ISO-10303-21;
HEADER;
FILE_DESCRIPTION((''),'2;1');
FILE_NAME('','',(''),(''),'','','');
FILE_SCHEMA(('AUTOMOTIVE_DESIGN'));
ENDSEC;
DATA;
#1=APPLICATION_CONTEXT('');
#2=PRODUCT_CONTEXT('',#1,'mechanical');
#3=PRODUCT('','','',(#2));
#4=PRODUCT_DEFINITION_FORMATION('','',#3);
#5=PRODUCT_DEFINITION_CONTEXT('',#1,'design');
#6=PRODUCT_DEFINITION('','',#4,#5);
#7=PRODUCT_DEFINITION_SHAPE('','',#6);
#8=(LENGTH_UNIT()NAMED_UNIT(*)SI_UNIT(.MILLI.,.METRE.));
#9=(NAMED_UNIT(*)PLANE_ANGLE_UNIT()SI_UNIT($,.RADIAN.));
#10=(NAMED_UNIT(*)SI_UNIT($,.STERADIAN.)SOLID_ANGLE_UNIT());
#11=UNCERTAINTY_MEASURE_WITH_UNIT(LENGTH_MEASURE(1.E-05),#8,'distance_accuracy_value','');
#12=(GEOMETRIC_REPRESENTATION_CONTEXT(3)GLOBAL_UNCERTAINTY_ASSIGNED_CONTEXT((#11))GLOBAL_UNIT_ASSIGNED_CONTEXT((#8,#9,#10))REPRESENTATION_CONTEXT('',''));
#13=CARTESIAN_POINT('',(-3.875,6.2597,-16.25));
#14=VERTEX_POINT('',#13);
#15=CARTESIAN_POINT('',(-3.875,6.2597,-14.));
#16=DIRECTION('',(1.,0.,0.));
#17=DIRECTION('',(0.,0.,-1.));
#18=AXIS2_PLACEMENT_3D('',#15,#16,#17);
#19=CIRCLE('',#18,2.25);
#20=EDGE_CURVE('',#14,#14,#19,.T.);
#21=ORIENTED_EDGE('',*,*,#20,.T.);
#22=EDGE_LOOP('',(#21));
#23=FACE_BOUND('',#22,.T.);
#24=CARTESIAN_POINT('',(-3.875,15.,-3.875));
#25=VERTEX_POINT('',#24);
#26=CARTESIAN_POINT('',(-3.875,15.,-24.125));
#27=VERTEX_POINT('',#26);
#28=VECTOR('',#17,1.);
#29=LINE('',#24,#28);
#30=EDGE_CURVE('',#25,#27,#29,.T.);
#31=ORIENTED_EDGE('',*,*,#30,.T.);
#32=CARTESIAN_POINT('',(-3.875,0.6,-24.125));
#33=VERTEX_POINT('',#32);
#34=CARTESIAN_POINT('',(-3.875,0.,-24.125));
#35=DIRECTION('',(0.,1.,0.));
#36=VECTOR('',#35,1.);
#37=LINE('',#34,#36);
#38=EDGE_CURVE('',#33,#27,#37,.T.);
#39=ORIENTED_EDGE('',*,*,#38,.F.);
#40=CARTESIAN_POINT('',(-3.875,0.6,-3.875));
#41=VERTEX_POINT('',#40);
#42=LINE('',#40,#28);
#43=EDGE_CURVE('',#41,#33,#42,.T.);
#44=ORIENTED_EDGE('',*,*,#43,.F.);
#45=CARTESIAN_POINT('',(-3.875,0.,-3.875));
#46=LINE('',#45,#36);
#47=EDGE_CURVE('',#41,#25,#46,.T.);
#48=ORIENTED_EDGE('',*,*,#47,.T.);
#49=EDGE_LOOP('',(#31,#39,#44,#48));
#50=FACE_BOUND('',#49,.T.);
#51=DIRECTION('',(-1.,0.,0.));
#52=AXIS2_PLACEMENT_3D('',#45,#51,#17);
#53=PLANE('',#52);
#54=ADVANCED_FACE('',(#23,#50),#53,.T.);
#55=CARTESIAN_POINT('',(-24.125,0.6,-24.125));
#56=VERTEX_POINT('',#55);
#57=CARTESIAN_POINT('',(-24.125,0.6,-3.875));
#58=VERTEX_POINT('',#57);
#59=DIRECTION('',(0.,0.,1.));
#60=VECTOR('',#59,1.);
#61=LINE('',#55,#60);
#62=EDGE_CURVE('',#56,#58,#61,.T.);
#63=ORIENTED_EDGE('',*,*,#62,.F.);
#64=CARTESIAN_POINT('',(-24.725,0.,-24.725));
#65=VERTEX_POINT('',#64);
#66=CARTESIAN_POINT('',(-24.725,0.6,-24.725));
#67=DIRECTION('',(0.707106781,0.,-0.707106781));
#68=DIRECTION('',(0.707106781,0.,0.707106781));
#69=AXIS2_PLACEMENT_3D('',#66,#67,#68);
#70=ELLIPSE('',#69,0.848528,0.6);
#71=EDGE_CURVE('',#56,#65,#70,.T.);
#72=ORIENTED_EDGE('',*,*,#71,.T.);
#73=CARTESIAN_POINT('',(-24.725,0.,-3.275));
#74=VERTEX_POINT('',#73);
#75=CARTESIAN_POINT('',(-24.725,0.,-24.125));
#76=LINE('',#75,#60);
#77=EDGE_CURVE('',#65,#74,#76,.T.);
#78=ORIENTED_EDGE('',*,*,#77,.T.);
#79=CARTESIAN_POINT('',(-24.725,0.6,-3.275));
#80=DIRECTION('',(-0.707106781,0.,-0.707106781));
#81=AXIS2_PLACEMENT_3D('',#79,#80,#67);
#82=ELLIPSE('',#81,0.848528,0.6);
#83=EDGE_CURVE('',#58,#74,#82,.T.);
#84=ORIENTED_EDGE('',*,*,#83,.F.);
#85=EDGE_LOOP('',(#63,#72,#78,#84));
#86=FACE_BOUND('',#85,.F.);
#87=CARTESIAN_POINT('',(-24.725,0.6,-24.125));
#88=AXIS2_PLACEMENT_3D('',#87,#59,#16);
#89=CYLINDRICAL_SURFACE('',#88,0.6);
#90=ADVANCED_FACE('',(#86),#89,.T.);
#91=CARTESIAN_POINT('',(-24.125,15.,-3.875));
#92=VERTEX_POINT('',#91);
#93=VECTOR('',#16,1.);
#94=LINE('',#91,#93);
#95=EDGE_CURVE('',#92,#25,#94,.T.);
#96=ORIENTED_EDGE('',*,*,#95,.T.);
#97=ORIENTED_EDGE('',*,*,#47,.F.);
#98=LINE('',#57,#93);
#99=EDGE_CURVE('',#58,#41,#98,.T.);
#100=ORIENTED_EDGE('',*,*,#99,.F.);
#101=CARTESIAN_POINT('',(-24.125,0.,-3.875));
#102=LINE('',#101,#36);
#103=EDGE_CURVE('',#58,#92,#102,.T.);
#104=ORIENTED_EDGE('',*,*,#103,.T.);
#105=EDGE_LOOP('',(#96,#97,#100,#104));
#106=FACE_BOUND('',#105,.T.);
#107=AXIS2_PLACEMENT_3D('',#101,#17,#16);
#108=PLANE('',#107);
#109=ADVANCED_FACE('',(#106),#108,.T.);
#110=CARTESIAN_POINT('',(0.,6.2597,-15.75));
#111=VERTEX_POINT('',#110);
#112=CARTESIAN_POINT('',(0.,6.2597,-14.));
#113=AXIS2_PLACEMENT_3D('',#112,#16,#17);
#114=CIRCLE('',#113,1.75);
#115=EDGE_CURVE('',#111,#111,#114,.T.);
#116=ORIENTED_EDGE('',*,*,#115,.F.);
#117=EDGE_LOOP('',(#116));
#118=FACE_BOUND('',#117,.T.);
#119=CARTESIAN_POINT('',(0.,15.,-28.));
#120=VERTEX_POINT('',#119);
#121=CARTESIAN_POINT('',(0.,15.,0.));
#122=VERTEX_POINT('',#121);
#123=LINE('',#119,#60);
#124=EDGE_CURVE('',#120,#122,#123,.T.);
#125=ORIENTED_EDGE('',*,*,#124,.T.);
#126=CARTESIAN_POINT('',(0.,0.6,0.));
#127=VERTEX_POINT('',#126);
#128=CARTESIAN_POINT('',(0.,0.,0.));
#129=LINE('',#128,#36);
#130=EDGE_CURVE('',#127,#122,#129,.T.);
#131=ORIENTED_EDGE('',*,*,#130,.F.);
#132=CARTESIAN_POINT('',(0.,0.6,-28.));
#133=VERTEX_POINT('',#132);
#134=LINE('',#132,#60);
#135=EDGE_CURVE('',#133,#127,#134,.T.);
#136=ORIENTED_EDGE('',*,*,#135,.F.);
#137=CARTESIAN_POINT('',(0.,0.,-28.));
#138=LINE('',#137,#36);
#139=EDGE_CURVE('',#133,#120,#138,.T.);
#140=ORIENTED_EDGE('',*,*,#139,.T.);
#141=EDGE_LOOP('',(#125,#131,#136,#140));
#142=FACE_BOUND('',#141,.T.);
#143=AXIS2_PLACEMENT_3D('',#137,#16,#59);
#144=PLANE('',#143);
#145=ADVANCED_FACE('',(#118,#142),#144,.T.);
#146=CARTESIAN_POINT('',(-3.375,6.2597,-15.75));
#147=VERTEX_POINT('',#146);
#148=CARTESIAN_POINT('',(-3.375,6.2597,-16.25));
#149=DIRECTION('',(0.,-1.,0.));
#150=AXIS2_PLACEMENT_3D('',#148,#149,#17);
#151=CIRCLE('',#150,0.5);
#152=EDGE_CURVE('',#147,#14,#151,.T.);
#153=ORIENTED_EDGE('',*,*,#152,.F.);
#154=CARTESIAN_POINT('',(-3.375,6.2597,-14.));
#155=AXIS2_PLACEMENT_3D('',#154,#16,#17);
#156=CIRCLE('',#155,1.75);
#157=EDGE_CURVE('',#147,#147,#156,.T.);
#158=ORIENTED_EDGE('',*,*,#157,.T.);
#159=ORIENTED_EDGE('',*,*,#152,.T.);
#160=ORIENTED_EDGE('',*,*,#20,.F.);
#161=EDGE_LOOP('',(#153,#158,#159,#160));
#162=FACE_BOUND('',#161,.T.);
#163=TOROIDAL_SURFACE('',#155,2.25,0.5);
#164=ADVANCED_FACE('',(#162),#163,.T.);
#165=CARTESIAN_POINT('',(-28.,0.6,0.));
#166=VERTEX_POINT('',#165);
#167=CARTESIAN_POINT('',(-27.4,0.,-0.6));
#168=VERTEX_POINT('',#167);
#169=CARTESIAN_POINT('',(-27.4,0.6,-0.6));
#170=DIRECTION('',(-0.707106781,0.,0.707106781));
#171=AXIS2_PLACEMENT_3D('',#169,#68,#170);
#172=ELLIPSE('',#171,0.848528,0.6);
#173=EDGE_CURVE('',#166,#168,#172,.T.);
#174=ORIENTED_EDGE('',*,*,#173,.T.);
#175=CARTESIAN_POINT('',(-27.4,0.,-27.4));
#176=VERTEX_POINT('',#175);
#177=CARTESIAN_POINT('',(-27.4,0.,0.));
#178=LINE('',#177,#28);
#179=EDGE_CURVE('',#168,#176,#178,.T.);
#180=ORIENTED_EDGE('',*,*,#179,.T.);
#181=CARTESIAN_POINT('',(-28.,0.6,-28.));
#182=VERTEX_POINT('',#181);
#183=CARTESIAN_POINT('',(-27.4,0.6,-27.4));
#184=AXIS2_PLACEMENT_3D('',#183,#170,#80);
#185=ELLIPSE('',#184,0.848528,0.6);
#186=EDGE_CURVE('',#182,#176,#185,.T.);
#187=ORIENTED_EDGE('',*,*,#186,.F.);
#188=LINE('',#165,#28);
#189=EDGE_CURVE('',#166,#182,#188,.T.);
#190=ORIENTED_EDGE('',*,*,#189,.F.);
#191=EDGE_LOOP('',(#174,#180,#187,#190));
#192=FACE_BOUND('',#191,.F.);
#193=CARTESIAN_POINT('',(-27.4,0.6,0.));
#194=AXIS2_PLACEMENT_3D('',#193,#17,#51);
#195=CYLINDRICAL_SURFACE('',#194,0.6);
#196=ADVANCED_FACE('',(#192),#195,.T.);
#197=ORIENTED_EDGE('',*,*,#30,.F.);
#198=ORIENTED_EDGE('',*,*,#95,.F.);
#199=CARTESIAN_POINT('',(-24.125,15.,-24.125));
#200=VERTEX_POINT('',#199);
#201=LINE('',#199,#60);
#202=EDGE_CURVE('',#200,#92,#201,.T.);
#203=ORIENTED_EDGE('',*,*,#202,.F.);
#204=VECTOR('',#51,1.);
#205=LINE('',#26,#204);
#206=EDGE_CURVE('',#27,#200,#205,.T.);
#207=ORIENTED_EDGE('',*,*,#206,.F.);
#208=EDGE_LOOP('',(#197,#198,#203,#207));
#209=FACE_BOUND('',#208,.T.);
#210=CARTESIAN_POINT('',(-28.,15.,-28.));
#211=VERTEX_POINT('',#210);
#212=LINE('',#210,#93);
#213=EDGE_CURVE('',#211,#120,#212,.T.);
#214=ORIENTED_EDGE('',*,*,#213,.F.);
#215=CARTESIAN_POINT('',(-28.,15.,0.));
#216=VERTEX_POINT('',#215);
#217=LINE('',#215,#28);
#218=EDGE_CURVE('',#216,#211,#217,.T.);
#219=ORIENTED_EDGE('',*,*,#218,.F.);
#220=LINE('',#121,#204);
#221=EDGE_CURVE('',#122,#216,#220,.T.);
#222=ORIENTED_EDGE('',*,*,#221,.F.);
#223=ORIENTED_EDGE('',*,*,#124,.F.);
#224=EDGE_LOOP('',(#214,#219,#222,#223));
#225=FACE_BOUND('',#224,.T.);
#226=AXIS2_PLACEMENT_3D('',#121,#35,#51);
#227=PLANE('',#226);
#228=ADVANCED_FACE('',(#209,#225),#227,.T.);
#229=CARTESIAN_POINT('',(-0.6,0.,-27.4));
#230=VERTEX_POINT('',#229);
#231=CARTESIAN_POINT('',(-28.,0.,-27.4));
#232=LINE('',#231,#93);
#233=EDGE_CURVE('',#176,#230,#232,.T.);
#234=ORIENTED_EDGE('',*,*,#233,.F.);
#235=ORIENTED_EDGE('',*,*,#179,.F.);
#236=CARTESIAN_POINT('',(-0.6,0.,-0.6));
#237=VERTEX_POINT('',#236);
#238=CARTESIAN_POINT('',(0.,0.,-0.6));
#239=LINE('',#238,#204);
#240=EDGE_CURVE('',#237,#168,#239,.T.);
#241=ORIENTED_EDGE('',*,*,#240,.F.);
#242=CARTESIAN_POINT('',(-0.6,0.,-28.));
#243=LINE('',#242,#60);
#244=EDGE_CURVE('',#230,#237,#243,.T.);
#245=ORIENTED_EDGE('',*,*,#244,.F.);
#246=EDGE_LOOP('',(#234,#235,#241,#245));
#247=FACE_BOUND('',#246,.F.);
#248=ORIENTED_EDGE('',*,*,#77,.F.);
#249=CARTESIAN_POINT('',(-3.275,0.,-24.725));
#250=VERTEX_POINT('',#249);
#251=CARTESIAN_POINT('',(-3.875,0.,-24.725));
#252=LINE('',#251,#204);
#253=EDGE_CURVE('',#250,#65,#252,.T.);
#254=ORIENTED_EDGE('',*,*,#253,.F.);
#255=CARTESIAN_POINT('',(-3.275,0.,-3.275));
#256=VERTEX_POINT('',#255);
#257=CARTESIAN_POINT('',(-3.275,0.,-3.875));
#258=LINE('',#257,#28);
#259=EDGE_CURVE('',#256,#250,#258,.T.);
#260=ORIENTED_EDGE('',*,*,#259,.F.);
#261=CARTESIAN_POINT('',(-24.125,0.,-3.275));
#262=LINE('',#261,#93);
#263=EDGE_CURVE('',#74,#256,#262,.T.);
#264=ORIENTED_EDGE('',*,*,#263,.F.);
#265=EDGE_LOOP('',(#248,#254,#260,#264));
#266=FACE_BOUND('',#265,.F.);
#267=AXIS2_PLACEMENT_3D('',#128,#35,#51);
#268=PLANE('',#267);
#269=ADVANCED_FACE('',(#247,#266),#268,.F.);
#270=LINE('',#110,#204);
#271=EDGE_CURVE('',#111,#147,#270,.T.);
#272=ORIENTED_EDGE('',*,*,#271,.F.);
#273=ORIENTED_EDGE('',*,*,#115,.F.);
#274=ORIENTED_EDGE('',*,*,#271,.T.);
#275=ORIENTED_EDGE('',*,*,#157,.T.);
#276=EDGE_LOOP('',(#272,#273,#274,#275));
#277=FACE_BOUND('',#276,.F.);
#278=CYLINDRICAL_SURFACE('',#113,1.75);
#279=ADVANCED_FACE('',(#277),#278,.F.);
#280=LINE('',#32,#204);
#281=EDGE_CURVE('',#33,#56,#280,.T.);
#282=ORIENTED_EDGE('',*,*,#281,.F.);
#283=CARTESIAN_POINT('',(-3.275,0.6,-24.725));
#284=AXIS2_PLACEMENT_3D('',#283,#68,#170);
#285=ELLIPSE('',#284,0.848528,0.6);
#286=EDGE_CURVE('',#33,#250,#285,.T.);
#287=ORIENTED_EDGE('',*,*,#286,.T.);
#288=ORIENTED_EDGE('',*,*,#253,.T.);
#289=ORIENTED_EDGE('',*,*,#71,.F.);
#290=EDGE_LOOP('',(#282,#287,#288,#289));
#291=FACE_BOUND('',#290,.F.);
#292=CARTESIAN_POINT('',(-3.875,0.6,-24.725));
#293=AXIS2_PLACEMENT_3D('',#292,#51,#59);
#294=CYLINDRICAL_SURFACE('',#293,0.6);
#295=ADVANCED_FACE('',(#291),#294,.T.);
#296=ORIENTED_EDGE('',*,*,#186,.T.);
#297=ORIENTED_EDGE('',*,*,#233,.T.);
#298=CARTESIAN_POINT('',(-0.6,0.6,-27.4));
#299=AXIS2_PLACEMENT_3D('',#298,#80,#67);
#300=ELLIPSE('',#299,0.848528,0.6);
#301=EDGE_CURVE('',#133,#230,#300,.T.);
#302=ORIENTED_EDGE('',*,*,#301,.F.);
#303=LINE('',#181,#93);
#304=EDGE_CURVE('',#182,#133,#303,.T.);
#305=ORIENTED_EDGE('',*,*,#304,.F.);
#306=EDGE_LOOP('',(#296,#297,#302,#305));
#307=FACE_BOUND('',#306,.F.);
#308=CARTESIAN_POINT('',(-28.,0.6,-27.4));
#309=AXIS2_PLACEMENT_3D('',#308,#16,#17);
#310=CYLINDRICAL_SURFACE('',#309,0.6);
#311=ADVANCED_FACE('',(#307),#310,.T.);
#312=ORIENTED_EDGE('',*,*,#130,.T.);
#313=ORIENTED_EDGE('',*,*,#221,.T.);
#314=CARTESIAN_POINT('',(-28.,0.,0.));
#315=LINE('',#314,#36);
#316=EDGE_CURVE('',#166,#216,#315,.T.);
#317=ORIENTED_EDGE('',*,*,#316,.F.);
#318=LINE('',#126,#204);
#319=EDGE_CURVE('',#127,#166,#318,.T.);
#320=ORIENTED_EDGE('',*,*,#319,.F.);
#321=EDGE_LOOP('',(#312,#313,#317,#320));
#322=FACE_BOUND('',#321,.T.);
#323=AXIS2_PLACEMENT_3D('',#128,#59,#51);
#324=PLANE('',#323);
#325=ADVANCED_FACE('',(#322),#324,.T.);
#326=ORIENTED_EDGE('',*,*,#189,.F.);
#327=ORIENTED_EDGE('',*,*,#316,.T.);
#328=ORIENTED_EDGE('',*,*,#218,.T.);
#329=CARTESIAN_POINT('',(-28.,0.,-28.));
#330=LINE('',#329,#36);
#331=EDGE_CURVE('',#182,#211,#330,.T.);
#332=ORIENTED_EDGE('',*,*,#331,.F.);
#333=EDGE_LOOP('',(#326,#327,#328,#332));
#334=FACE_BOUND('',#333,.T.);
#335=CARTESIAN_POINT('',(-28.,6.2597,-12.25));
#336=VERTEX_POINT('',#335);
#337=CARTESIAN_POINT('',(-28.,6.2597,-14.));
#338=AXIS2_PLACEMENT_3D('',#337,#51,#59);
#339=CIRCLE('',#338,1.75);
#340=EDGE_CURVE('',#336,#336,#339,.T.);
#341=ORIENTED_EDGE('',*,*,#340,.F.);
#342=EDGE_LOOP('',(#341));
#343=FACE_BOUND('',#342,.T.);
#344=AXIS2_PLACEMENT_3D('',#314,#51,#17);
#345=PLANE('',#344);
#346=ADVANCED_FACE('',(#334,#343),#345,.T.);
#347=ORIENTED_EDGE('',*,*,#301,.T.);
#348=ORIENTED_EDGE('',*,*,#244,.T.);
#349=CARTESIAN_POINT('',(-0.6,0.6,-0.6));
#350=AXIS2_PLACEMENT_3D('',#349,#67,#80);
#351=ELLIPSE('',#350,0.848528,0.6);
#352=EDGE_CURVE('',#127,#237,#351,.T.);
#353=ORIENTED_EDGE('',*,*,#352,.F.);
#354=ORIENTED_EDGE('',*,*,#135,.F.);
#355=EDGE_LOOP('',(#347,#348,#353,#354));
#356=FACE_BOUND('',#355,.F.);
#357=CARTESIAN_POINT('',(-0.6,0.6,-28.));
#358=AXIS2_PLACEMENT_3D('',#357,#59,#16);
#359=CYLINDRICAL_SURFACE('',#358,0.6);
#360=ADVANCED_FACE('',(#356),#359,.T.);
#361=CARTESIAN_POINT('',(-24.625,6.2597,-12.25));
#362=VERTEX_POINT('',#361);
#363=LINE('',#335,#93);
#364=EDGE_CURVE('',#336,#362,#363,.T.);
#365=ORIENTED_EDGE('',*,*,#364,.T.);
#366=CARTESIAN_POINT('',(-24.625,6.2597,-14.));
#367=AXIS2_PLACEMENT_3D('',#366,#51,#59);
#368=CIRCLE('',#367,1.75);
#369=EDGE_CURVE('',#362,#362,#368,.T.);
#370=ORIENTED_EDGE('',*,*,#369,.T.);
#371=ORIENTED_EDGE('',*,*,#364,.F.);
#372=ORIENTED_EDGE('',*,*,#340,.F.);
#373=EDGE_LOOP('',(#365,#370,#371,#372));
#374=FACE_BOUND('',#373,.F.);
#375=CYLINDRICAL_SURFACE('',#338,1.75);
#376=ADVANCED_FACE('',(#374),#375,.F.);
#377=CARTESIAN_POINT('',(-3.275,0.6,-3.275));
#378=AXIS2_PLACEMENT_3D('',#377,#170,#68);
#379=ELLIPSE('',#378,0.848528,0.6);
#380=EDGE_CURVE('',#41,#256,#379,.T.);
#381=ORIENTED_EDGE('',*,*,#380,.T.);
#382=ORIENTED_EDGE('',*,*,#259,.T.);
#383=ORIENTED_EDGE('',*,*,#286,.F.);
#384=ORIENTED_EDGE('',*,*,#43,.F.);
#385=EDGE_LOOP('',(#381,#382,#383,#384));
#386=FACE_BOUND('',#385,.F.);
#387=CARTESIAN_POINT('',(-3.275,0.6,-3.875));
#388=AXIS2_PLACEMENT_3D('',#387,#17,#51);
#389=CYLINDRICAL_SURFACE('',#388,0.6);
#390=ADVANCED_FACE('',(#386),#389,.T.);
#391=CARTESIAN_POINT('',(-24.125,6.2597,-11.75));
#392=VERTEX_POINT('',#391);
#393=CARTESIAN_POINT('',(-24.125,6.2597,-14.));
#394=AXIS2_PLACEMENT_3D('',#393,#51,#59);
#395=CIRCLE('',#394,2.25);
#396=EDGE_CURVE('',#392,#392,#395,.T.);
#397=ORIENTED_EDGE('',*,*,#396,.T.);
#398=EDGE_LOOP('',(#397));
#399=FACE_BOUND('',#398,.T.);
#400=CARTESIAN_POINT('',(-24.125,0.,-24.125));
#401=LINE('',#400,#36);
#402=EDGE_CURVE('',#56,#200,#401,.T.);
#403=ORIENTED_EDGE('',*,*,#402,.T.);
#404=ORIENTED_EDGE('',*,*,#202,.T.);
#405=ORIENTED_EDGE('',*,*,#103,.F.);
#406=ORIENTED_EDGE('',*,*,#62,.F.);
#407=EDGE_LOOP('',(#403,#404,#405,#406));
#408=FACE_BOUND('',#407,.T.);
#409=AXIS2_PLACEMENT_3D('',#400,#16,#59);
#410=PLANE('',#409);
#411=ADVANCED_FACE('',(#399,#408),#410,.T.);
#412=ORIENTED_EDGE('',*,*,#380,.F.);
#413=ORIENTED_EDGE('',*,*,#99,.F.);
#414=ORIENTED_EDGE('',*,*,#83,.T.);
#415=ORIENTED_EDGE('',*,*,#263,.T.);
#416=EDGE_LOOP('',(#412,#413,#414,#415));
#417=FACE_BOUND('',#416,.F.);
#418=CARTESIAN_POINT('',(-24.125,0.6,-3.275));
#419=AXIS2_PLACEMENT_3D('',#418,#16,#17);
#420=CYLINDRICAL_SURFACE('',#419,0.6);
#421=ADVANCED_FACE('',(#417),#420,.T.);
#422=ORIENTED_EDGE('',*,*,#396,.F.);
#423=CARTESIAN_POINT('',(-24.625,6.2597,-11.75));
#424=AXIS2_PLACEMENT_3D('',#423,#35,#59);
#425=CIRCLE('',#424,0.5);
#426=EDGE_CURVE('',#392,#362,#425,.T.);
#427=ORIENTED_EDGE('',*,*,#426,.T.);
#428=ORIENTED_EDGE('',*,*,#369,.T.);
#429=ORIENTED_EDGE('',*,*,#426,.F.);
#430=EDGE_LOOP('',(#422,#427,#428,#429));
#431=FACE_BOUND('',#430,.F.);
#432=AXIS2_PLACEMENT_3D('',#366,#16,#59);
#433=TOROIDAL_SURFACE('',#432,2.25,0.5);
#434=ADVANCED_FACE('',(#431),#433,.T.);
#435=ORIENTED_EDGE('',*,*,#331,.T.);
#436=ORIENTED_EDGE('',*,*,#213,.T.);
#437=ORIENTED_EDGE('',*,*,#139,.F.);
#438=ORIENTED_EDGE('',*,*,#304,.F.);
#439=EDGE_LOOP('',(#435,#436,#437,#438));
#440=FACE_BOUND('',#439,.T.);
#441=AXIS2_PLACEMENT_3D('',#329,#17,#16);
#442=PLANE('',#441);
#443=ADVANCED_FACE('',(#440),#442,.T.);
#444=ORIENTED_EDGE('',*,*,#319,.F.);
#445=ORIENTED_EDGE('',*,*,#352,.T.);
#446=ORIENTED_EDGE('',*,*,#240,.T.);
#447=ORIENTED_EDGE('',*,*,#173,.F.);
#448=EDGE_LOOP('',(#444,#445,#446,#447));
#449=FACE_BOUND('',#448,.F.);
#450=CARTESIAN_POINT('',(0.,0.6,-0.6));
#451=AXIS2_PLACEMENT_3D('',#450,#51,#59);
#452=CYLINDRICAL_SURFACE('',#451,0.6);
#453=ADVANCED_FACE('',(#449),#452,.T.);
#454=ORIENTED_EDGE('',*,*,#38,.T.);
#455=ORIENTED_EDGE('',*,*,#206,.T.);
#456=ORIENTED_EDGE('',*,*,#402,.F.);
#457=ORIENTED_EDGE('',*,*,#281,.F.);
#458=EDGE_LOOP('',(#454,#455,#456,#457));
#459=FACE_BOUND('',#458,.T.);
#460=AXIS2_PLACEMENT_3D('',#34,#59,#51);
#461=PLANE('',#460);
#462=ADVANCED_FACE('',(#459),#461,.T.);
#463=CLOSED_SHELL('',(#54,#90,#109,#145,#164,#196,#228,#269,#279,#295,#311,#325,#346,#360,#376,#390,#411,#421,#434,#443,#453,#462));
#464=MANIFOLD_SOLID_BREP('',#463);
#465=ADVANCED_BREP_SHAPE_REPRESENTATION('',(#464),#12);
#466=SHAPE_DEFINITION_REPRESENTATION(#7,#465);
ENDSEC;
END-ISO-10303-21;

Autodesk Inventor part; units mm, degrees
ref_plane "YZ Plane" through (0, 0, 0) normal (1, 0, 0) x (0, 1, 0)
ref_plane "XZ Plane" through (0, 0, 0) normal (0, 1, 0) x (-1, 0, 0)
ref_plane "XY Plane" through (0, 0, 0) normal (0, 0, 1) x (1, 0, 0)
sketch "Sketch1" plane through (0, 0, 0) normal (0, 1, 0) x (-1, 0, 0)
  line L0 (0, 0) -> (28, 0)
  line L1 (28, 0) -> (28, -28)
  line L2 (28, -28) -> (0, -28)
  line L3 (0, -28) -> (0, 0)
  line L4 (24.125, -3.875) -> (3.875, -3.875)
  line L5 (3.875, -3.875) -> (3.875, -24.125)
  line L6 (3.875, -24.125) -> (24.125, -24.125)
  line L7 (24.125, -24.125) -> (24.125, -3.875)
  line L8 (24.125, -3.875) -> (3.875, -24.125) construction
  line L9 (3.875, -3.875) -> (24.125, -24.125) construction
  line L10 (0, 0) -> (28, -28) construction
  line L11 (28, 0) -> (0, -28) construction
  point P0 (14, -14)
  dimension "d0" = 28
  dimension "d1" = 28
  dimension "d2" = 20.25
  dimension "d3" = 20.25
extrude "Extrusion1" add sketch "Sketch1" along normal blind 15
fillet "Fillet1" radius 0.6 8 edges at (-14, 0, -3.875) (-24.125, 0, -14) (-14, 0, -24.125) (-3.875, 0, -14) (-14, 0, 0) (-28, 0, -14) (-14, 0, -28) (0, 0, -14)
sketch "Sketch2" plane through (-28, 15, -28) normal (-1, 0, 0) x (0, 0, 1)
  circle A0 centre (14, -8.7403) radius 1.75
  point P0 (28, -15)
  dimension "d7" = 3.5
extrude "Extrusion2" cut sketch "Sketch2" against normal blind 10
sketch "Sketch3" plane through (0, 15, 0) normal (1, 0, 0) x (0, 0, -1)
  circle A0 centre (14, -8.7403) radius 1.75 projected
  circle A1 centre (14, -8.7403) radius 1.75
  point P0 (0, -15)
  dimension "d10" = 3.5
extrude "Extrusion3" cut sketch "Sketch3" against normal blind 10
fillet "Fillet2" radius 0.5 2 edges at (-3.875, 6.2597, -12.25) (-24.125, 6.2597, -15.75)
properties part number "TestSujetaPerfil"
